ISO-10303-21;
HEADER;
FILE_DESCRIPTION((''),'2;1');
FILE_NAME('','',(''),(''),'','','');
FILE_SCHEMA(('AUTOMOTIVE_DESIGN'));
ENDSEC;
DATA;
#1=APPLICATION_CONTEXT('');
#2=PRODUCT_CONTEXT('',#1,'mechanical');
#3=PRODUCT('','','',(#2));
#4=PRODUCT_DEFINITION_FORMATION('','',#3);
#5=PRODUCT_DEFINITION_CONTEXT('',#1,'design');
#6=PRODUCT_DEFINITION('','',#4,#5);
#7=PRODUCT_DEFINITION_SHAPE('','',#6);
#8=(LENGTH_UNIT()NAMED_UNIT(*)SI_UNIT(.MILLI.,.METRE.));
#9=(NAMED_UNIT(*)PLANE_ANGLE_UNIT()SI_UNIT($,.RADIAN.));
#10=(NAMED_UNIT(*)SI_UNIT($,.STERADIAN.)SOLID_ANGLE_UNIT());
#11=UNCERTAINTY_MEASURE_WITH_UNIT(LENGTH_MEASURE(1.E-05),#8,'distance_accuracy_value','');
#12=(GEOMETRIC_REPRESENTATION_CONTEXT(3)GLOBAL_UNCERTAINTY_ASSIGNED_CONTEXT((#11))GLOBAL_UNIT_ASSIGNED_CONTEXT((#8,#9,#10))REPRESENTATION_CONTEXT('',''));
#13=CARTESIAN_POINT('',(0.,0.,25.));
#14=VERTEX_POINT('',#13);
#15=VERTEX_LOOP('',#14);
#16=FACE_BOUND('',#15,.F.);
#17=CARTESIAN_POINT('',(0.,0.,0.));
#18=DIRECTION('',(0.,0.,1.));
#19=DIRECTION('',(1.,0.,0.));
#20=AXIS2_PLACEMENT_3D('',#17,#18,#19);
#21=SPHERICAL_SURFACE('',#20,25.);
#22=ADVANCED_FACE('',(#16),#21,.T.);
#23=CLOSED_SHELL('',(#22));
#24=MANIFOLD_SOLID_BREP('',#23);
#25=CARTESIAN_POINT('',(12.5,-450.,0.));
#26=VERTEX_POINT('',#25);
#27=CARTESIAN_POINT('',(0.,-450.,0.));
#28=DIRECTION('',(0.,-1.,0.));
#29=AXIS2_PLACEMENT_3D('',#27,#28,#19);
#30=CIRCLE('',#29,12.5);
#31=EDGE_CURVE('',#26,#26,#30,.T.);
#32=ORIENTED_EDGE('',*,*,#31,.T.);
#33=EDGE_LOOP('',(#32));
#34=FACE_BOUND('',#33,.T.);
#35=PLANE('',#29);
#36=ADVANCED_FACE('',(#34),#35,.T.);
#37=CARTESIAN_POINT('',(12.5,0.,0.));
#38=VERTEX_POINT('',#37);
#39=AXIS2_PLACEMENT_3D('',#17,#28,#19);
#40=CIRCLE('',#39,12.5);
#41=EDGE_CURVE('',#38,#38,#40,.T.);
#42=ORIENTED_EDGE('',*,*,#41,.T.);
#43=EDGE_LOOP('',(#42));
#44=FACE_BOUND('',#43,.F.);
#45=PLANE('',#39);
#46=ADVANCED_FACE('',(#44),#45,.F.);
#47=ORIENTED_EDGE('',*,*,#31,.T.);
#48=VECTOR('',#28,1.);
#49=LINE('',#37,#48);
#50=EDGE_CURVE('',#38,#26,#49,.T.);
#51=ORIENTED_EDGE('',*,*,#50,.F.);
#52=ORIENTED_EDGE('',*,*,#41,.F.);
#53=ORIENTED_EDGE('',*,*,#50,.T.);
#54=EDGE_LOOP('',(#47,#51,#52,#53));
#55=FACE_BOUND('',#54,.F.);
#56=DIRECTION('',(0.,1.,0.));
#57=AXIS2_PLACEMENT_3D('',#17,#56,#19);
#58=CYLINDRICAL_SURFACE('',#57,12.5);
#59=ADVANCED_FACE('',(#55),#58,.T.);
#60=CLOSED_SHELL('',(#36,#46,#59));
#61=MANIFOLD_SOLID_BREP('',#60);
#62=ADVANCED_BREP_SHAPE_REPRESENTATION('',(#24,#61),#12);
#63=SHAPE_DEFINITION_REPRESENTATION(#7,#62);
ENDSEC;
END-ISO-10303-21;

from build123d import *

# Parameters (mm, degrees)
F2_R     = 12.5
F3_DEPTH = 450


with BuildPart() as f1:
    # F0 (on Front) → F1 (revolve)
    with BuildSketch(Plane.XZ):
        with BuildLine():
            Line((0, 25), (0, -25))
            ThreePointArc((0, -25), (25, 0), (0, 25))
        make_face()
    revolve(axis=Axis((0, 0, 0), (0, 0, -1)))


with BuildPart() as f3:
    # F2 (on Front) → F3 (new body)
    with BuildSketch(Plane.XZ):
        Circle(F2_R)
    extrude(amount=F3_DEPTH)


solid = Compound([f1.part, f3.part])
